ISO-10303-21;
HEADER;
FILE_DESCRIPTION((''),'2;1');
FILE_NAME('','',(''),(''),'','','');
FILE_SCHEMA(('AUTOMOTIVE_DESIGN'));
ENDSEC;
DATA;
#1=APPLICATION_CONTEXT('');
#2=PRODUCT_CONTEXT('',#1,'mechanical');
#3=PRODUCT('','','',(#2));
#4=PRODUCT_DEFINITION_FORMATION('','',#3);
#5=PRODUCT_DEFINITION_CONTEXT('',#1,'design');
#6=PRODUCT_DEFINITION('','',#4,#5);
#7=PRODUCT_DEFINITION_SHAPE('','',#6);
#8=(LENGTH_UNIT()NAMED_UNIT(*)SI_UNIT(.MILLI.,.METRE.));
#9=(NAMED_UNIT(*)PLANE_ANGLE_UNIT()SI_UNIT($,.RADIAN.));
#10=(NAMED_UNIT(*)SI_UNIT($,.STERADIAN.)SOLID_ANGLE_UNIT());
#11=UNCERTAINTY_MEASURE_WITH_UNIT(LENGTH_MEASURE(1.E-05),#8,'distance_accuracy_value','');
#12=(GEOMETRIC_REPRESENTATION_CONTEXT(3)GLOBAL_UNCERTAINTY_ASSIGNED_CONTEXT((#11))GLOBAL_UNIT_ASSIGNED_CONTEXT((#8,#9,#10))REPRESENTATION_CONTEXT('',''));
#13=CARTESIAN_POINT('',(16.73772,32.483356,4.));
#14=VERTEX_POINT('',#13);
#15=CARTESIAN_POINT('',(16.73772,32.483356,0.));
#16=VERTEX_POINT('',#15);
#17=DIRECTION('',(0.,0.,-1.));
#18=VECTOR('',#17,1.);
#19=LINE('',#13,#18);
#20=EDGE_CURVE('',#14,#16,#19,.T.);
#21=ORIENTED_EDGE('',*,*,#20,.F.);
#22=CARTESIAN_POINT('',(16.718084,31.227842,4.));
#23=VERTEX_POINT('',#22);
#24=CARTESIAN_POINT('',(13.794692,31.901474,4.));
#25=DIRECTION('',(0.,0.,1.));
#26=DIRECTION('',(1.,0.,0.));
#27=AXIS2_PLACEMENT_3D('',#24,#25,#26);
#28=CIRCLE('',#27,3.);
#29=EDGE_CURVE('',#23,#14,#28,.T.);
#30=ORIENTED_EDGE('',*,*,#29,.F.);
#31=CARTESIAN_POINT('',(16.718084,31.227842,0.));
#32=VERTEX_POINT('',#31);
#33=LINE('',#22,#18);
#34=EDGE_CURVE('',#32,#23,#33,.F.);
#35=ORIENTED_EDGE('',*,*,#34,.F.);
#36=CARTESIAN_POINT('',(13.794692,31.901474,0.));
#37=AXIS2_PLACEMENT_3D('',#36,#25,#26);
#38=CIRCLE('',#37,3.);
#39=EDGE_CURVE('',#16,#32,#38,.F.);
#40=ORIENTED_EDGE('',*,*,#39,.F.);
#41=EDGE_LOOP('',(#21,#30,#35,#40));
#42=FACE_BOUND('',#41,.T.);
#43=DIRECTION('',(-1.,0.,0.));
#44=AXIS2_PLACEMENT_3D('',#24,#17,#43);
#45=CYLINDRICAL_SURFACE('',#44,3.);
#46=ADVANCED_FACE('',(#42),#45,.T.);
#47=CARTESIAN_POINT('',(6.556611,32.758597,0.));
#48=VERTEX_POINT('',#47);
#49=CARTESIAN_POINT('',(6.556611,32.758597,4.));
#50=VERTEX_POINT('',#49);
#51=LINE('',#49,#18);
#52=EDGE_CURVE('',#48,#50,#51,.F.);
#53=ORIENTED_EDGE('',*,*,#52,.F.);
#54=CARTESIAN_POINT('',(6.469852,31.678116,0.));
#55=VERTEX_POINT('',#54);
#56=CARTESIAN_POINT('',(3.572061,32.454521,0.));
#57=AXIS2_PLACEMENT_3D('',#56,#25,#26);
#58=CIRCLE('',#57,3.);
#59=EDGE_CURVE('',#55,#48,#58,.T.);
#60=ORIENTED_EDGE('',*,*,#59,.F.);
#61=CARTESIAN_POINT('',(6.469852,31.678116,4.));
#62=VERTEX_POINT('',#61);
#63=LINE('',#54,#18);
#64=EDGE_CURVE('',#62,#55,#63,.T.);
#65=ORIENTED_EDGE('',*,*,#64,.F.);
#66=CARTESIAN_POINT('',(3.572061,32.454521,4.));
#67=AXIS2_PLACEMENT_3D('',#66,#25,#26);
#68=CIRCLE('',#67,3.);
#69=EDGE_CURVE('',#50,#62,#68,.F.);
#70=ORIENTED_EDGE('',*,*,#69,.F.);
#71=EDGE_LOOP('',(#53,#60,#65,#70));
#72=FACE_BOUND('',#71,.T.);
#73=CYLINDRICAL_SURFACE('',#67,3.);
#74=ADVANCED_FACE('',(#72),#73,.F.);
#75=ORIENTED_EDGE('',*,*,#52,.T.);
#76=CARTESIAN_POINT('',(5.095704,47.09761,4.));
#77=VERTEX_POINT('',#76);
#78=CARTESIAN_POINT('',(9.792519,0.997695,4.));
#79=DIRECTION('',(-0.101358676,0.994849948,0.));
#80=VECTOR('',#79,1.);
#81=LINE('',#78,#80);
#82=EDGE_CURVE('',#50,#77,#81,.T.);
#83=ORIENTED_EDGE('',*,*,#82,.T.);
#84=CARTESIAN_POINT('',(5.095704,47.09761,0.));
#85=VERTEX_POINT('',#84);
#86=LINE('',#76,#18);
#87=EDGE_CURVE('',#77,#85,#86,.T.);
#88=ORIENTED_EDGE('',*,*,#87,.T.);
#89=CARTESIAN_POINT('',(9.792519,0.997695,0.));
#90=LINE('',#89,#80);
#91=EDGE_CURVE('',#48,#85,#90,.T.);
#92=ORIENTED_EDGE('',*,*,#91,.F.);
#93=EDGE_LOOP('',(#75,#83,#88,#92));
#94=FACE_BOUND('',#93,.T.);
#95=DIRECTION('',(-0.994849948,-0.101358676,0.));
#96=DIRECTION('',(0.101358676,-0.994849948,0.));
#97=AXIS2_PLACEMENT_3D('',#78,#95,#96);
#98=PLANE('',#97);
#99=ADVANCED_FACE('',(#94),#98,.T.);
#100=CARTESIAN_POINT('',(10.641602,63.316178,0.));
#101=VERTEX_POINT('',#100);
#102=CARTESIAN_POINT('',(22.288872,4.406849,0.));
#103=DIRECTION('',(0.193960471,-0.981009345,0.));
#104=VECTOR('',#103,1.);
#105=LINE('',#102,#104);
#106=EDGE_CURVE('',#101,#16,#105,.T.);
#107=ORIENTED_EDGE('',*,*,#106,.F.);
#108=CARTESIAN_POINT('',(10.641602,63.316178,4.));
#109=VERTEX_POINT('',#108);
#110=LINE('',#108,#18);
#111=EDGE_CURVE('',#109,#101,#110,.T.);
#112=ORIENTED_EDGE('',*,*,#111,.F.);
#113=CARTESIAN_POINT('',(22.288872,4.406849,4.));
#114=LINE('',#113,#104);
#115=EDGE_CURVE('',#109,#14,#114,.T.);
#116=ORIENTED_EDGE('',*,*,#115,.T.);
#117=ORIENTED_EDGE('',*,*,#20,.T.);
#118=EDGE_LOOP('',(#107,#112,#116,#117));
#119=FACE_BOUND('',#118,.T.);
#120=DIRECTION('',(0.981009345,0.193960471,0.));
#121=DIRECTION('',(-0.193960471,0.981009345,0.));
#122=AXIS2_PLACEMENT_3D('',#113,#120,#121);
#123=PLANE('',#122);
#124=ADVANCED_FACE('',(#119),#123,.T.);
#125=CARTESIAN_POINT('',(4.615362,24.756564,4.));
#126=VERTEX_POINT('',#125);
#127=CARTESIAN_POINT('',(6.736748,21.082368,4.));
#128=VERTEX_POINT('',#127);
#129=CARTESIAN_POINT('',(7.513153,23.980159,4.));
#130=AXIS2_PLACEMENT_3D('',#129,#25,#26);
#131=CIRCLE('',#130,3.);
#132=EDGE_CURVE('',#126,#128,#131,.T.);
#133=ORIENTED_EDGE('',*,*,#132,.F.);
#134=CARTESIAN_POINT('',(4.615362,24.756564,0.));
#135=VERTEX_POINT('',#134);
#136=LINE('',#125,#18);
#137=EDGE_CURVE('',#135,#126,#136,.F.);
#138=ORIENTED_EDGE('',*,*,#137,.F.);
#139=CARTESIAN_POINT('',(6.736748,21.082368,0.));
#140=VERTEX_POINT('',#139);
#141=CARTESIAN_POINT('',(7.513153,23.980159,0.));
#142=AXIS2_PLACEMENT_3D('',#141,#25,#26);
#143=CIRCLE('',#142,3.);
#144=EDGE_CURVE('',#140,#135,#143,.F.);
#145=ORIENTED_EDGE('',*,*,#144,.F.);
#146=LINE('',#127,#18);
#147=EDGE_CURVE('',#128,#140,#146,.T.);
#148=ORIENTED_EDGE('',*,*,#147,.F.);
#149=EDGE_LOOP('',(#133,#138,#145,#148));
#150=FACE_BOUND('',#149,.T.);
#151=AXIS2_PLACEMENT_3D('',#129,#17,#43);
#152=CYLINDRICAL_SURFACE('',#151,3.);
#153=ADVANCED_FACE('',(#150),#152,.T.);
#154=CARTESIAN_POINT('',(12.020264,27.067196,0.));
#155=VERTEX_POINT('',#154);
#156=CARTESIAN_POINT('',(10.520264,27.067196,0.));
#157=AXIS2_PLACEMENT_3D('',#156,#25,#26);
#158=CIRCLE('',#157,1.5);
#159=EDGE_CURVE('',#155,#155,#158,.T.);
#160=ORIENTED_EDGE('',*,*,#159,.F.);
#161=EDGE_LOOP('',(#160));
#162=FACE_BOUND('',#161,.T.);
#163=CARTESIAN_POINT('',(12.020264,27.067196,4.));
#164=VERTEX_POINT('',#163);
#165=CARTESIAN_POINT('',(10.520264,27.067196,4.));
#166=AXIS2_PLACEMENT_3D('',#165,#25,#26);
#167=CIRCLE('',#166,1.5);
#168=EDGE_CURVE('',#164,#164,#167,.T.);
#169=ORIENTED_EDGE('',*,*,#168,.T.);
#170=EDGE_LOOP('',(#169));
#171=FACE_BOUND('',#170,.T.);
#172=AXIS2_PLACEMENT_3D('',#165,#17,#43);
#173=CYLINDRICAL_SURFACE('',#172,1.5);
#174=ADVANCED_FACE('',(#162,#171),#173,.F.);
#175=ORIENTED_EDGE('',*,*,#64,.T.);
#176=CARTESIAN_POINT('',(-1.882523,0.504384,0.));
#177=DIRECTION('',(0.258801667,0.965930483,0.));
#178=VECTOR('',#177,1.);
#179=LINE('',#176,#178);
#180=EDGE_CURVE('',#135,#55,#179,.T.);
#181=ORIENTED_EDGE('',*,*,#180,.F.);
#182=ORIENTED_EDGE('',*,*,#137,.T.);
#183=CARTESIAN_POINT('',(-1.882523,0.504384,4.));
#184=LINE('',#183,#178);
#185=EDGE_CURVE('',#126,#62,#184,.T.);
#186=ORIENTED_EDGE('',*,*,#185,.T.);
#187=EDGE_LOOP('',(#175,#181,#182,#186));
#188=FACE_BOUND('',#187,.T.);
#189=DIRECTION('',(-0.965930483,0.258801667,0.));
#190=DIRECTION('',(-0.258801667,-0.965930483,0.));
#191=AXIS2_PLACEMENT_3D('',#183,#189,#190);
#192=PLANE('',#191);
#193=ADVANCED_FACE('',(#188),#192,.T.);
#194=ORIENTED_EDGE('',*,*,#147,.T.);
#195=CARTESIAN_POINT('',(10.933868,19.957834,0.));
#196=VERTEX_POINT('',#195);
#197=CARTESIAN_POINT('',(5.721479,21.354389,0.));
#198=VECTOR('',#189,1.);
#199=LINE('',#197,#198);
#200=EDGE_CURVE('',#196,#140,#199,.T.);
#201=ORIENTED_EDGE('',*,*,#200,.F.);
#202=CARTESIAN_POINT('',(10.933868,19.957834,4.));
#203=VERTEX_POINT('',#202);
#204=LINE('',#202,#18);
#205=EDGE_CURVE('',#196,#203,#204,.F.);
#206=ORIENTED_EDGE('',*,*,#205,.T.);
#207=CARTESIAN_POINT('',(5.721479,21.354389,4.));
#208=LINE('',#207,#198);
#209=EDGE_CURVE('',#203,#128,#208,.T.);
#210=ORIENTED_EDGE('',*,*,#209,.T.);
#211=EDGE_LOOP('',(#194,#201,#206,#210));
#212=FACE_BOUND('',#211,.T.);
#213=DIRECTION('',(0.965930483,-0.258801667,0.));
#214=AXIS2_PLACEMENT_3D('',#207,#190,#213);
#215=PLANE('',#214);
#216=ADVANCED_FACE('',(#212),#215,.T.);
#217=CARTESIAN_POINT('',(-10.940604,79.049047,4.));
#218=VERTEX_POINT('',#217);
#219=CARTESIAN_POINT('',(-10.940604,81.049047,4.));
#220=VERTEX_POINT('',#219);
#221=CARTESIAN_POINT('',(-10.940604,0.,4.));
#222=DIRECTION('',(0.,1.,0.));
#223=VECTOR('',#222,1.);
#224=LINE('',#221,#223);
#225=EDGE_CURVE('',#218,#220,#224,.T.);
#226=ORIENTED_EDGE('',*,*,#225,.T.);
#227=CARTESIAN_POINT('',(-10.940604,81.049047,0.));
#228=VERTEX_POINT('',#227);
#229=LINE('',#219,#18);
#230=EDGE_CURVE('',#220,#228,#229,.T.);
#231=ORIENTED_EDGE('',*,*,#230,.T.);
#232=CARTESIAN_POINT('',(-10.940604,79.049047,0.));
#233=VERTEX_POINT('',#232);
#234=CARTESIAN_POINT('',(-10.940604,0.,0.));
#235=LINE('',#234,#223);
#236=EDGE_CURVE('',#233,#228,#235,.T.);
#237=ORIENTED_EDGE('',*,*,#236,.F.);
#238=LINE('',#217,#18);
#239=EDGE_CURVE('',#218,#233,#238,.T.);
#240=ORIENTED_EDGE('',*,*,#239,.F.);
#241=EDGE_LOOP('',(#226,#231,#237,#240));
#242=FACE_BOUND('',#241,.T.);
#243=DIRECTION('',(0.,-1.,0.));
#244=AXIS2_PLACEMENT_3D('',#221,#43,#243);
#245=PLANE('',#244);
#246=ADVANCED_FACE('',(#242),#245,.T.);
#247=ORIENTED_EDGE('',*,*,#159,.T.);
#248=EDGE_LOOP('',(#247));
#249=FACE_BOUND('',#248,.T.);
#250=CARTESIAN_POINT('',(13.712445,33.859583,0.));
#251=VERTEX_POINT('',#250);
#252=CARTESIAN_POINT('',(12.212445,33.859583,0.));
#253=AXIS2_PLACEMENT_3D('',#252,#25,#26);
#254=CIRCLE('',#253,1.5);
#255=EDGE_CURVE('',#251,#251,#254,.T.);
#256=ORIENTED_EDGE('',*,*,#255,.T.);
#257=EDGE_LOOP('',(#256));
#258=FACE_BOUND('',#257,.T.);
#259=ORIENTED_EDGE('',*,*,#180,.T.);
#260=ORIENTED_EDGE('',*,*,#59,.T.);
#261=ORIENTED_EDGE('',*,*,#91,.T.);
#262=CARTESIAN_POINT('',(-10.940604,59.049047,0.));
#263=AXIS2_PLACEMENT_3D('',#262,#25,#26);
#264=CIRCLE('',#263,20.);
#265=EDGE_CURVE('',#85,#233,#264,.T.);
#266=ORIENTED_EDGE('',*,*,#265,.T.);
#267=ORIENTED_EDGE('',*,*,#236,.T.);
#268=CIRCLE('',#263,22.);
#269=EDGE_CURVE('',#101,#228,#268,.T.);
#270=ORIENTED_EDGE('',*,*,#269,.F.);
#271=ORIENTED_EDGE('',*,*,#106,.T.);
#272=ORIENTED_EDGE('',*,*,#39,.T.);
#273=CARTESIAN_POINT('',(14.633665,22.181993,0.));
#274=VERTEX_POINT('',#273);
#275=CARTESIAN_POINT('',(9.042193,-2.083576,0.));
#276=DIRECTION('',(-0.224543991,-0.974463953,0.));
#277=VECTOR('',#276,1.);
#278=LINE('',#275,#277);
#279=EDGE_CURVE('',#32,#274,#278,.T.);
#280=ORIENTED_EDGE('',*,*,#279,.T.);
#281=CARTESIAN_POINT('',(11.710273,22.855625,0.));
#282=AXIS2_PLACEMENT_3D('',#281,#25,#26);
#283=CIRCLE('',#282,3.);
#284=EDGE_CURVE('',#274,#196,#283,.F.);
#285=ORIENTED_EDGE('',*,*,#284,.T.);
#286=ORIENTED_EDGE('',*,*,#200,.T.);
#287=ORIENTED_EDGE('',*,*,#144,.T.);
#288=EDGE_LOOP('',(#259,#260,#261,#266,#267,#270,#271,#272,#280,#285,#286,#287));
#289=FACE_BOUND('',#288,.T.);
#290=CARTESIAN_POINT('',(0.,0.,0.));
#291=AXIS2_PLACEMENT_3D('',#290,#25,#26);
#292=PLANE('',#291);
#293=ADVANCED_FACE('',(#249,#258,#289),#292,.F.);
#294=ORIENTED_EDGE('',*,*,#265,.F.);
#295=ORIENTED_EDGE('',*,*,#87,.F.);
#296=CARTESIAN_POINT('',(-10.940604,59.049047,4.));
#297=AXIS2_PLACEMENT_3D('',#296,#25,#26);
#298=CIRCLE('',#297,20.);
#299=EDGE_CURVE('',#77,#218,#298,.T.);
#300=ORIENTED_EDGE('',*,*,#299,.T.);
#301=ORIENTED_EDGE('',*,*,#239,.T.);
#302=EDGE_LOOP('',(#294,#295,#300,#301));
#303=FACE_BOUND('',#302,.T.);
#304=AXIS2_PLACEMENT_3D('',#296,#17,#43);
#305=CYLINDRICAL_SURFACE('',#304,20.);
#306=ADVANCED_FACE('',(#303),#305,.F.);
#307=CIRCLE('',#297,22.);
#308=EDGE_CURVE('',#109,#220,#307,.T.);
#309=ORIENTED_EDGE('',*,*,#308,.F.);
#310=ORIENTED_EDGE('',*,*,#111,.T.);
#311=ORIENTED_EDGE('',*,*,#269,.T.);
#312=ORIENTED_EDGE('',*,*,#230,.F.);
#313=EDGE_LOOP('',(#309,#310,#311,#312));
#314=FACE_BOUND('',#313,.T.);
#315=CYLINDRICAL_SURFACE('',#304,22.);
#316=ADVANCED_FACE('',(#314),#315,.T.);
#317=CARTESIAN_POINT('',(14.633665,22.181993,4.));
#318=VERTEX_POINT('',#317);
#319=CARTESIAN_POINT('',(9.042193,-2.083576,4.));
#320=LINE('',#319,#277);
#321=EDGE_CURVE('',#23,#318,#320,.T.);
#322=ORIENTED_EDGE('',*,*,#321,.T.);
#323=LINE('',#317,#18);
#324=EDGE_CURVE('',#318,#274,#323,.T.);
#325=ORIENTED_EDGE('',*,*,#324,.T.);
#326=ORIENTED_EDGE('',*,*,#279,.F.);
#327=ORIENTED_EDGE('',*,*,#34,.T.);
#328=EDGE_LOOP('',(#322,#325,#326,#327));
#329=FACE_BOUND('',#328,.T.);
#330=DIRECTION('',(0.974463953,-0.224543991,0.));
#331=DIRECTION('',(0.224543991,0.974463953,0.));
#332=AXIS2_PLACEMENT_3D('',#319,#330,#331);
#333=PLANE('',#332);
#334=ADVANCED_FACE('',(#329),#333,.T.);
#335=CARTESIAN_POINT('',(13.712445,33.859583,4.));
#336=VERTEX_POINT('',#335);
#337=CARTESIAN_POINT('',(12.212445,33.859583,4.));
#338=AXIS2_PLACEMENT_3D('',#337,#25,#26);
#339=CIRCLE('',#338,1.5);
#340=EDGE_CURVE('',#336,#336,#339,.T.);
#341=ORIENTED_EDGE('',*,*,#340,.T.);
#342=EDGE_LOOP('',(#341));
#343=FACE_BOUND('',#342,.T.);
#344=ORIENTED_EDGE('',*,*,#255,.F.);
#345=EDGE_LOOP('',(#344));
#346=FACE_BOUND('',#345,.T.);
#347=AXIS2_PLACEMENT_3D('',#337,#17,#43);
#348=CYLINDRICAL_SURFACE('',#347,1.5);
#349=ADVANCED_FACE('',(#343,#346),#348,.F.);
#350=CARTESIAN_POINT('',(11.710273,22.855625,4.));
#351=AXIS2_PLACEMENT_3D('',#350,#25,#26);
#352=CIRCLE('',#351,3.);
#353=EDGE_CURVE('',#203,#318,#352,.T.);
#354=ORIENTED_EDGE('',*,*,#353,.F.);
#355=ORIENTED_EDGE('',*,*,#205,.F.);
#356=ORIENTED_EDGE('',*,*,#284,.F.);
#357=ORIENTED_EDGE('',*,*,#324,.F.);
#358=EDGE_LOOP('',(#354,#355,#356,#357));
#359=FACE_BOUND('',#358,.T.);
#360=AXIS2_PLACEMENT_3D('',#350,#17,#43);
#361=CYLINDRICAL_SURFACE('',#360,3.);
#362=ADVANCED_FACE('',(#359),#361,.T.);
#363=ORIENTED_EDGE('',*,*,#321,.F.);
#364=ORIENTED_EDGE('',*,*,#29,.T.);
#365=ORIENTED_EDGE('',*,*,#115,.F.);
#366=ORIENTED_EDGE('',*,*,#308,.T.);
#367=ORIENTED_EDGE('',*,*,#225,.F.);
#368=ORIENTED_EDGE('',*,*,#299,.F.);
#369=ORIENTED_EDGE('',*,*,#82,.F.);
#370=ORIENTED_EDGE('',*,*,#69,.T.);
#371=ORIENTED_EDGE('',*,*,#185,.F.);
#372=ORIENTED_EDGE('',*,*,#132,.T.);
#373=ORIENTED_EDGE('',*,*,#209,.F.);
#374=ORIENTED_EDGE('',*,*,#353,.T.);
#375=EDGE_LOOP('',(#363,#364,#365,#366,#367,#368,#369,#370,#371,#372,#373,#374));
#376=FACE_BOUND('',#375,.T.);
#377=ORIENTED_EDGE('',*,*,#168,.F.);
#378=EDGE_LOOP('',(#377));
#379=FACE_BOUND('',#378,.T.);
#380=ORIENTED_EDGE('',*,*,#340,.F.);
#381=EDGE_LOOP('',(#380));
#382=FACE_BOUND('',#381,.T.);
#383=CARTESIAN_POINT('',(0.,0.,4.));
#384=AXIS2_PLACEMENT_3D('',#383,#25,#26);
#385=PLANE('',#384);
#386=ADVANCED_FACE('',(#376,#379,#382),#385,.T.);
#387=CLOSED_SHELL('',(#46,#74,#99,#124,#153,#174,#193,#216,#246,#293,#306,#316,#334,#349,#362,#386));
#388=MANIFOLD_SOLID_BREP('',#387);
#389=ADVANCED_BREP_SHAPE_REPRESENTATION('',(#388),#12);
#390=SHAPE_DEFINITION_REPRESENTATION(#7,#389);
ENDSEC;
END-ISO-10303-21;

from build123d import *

# Parameters (mm, degrees)
SKETCH_1_R      = 1.5
EXTRUDE_1_DEPTH = 4
FILLET_1_R      = 3


with BuildPart() as part:
    # 草图1 → 凸台-拉伸1 (new body)
    with BuildSketch(Plane.XY):
        with BuildLine():
            Line((-10.940603829, 79.049047398), (-10.940603829, 81.049047398))
            ThreePointArc((-10.940603829, 81.049047398), (3.025840458, 76.047236536), (10.641601769, 63.316177759))
            Line((10.641601769, 63.316177759), (16.862252241, 31.85349767))
            Line((16.862252241, 31.85349767), (13.93581935, 19.153521371))
            Line((13.93581935, 19.153521371), (3.838956556, 21.858772904))
            Line((3.838956556, 21.858772904), (6.612464071, 32.210388823))
            Line((6.612464071, 32.210388823), (5.095703598, 47.097610493))
            ThreePointArc((5.095703598, 47.097610493), (6.934361039, 68.020425829), (-10.940603829, 79.049047398))
        make_face()
        with Locations((10.520263625, 27.067195715)):
            Circle(SKETCH_1_R, mode=Mode.SUBTRACT)
        with Locations((12.212445248, 33.85958273)):
            Circle(SKETCH_1_R, mode=Mode.SUBTRACT)
    extrude(amount=EXTRUDE_1_DEPTH)

    # 圆角1
    fillet_1_edges = [part.edges().sort_by_distance(p)[0] for p in [
        (16.862252241, 31.85349767, 2),
        (13.93581935, 19.153521371, 2),
        (3.838956556, 21.858772904, 2),
        (6.612464071, 32.210388823, 2),
    ]]
    fillet(fillet_1_edges, radius=FILLET_1_R)


solid = part.part
